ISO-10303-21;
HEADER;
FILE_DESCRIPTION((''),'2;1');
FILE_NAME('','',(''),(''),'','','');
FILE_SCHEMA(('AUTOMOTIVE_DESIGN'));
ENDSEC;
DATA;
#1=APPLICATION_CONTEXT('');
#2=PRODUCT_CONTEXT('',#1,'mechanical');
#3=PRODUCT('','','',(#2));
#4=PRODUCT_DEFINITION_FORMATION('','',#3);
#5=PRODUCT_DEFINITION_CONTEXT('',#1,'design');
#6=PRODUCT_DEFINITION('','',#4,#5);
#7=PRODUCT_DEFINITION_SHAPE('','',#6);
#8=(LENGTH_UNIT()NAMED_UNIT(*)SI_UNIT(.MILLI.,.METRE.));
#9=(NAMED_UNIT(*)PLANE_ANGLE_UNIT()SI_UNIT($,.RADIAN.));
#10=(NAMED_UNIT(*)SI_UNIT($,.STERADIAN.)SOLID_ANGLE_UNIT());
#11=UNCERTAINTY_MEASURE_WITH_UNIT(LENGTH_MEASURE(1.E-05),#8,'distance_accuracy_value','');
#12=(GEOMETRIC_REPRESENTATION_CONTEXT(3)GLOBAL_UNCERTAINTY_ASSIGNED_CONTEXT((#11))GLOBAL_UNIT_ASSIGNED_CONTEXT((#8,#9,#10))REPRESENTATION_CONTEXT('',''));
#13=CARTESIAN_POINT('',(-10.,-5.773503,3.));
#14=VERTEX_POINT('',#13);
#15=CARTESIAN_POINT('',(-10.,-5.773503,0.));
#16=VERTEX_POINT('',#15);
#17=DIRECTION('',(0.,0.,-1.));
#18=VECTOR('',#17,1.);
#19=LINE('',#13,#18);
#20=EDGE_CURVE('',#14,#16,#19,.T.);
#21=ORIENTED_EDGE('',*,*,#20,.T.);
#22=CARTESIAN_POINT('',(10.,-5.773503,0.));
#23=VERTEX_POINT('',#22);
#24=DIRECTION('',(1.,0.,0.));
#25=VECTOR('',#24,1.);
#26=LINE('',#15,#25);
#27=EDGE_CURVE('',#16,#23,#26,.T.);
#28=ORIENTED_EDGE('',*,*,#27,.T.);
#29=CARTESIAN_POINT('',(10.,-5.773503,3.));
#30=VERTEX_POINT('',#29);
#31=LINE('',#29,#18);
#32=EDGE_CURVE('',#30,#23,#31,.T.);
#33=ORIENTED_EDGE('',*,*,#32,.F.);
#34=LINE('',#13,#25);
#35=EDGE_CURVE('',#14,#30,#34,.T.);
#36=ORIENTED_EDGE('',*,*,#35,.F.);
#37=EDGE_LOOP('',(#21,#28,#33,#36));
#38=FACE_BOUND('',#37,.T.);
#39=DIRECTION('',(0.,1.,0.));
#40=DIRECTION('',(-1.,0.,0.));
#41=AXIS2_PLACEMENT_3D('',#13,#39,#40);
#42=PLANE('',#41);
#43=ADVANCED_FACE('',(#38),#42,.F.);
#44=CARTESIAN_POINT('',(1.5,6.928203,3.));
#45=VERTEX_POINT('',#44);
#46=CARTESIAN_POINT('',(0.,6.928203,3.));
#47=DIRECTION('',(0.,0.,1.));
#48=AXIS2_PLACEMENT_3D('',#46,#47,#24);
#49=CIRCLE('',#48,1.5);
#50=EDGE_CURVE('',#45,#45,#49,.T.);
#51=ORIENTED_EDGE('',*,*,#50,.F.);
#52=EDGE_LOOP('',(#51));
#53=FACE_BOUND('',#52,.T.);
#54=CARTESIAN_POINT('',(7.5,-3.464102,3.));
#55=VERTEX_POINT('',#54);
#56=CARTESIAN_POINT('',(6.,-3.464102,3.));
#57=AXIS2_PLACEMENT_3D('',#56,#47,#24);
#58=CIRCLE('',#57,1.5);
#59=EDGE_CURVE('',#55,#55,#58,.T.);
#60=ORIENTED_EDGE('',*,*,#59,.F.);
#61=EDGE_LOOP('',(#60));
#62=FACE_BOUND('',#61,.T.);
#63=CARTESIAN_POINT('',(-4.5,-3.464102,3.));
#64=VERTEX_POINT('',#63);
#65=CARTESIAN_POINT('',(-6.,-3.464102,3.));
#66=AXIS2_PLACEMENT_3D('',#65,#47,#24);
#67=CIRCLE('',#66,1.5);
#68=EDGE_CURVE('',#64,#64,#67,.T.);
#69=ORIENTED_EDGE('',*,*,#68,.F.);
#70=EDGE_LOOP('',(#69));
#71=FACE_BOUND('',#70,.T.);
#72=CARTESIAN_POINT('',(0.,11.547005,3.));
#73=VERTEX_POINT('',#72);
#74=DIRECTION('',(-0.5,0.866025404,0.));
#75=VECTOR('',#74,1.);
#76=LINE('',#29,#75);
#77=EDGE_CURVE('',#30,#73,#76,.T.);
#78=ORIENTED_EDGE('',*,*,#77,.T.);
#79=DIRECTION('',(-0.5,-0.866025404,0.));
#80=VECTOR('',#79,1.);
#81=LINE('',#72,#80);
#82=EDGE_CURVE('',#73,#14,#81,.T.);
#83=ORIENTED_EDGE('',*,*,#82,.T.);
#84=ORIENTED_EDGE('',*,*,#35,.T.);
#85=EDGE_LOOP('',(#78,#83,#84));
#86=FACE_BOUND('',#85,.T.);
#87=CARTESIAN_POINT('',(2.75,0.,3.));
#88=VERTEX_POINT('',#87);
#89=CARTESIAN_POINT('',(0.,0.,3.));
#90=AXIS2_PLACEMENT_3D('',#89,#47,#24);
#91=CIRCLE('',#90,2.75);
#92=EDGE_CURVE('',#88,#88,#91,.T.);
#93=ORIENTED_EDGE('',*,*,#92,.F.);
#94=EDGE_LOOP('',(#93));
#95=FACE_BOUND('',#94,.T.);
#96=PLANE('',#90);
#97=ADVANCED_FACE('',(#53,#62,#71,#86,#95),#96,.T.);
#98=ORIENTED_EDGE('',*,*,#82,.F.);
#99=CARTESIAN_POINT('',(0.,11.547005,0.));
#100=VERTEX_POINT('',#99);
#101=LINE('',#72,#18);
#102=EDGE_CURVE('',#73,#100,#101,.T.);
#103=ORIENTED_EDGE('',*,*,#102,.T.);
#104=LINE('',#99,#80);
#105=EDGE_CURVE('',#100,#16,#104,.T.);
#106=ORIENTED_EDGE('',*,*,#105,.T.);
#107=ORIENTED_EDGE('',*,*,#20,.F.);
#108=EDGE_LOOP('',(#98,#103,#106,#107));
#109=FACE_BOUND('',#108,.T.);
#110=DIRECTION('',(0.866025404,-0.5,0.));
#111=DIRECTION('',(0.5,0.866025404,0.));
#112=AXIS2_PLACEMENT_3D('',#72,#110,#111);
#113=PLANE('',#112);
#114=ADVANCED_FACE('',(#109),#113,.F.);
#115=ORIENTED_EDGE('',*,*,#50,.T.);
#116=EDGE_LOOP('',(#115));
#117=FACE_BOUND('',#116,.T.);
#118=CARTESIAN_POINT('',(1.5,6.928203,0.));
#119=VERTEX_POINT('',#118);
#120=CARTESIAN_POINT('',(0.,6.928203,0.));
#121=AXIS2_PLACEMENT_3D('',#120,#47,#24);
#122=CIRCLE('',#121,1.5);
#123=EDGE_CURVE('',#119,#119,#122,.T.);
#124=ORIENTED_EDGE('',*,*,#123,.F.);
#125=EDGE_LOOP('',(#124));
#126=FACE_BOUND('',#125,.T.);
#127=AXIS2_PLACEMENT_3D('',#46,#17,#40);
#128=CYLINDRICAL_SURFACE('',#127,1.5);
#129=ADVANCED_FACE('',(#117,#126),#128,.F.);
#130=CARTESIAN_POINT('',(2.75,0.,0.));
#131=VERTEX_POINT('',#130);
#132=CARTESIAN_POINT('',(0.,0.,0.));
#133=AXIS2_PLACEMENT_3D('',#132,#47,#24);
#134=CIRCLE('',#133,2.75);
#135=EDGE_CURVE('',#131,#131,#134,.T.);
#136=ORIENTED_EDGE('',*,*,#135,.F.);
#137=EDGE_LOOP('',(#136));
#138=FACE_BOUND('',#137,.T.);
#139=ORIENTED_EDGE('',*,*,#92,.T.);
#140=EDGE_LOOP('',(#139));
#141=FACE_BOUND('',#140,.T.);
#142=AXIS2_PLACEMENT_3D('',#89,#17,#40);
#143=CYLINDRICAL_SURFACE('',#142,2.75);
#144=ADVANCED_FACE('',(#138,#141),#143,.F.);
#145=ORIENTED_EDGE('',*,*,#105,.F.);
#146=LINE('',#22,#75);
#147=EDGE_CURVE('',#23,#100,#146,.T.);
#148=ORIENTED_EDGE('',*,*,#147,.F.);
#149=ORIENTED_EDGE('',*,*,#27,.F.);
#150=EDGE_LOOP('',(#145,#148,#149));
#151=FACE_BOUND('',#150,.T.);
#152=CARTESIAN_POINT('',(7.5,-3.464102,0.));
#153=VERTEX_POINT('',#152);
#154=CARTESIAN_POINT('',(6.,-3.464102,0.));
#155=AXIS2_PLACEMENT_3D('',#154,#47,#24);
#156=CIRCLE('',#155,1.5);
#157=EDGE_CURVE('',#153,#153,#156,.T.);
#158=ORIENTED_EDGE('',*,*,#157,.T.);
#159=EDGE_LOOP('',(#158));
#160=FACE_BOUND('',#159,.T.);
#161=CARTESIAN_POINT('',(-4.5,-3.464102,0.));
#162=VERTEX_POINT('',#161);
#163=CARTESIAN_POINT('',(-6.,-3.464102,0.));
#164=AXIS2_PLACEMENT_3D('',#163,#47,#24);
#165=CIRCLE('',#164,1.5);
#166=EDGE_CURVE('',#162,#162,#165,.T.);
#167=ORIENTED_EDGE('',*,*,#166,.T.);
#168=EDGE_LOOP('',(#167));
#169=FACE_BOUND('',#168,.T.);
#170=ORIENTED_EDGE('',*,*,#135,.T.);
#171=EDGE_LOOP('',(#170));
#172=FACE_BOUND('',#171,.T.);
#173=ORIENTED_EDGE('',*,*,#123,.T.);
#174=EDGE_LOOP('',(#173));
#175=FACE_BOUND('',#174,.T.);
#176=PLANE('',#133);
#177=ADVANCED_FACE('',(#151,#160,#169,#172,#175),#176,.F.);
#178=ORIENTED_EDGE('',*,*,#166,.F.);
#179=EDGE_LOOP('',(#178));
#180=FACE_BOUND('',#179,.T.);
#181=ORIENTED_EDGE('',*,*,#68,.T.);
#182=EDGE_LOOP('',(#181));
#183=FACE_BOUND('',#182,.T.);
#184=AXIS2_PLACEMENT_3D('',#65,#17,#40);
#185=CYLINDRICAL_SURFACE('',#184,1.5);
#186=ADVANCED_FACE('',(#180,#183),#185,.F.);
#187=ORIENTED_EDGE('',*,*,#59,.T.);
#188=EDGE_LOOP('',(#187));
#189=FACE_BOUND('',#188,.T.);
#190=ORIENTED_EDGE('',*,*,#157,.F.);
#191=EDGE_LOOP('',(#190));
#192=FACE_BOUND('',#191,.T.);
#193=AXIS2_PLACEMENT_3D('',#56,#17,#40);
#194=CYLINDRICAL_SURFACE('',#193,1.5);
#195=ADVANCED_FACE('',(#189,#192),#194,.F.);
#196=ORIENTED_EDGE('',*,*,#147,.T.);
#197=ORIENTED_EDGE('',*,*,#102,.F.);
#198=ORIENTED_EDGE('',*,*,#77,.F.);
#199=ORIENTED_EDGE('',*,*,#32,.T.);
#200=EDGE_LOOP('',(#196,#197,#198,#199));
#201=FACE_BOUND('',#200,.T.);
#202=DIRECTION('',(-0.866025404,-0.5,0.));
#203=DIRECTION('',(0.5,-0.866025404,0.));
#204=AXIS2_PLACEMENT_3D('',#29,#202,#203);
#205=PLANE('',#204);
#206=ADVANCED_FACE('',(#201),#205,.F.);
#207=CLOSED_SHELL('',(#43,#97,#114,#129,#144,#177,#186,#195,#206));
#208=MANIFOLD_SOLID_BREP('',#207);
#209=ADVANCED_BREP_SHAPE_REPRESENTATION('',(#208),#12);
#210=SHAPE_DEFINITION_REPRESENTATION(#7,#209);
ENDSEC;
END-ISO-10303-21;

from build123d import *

# Parameters (mm, degrees)
SKETCH_1_R      = 1.5
SKETCH_1_R_2    = 2.75
EXTRUDE_1_DEPTH = 3


with BuildPart() as part:
    # 草图1 → 凸台-拉伸1 (new body)
    with BuildSketch(Plane.XY):
        Polygon((0, 11.547005384), (-10, -5.773502692), (10, -5.773502692), align=None)
        with Locations((0, 6.92820323)):
            Circle(SKETCH_1_R, mode=Mode.SUBTRACT)
        with Locations((-6, -3.464101615)):
            Circle(SKETCH_1_R, mode=Mode.SUBTRACT)
        with Locations((6, -3.464101615)):
            Circle(SKETCH_1_R, mode=Mode.SUBTRACT)
        Circle(SKETCH_1_R_2, mode=Mode.SUBTRACT)
    extrude(amount=EXTRUDE_1_DEPTH)


solid = part.part
